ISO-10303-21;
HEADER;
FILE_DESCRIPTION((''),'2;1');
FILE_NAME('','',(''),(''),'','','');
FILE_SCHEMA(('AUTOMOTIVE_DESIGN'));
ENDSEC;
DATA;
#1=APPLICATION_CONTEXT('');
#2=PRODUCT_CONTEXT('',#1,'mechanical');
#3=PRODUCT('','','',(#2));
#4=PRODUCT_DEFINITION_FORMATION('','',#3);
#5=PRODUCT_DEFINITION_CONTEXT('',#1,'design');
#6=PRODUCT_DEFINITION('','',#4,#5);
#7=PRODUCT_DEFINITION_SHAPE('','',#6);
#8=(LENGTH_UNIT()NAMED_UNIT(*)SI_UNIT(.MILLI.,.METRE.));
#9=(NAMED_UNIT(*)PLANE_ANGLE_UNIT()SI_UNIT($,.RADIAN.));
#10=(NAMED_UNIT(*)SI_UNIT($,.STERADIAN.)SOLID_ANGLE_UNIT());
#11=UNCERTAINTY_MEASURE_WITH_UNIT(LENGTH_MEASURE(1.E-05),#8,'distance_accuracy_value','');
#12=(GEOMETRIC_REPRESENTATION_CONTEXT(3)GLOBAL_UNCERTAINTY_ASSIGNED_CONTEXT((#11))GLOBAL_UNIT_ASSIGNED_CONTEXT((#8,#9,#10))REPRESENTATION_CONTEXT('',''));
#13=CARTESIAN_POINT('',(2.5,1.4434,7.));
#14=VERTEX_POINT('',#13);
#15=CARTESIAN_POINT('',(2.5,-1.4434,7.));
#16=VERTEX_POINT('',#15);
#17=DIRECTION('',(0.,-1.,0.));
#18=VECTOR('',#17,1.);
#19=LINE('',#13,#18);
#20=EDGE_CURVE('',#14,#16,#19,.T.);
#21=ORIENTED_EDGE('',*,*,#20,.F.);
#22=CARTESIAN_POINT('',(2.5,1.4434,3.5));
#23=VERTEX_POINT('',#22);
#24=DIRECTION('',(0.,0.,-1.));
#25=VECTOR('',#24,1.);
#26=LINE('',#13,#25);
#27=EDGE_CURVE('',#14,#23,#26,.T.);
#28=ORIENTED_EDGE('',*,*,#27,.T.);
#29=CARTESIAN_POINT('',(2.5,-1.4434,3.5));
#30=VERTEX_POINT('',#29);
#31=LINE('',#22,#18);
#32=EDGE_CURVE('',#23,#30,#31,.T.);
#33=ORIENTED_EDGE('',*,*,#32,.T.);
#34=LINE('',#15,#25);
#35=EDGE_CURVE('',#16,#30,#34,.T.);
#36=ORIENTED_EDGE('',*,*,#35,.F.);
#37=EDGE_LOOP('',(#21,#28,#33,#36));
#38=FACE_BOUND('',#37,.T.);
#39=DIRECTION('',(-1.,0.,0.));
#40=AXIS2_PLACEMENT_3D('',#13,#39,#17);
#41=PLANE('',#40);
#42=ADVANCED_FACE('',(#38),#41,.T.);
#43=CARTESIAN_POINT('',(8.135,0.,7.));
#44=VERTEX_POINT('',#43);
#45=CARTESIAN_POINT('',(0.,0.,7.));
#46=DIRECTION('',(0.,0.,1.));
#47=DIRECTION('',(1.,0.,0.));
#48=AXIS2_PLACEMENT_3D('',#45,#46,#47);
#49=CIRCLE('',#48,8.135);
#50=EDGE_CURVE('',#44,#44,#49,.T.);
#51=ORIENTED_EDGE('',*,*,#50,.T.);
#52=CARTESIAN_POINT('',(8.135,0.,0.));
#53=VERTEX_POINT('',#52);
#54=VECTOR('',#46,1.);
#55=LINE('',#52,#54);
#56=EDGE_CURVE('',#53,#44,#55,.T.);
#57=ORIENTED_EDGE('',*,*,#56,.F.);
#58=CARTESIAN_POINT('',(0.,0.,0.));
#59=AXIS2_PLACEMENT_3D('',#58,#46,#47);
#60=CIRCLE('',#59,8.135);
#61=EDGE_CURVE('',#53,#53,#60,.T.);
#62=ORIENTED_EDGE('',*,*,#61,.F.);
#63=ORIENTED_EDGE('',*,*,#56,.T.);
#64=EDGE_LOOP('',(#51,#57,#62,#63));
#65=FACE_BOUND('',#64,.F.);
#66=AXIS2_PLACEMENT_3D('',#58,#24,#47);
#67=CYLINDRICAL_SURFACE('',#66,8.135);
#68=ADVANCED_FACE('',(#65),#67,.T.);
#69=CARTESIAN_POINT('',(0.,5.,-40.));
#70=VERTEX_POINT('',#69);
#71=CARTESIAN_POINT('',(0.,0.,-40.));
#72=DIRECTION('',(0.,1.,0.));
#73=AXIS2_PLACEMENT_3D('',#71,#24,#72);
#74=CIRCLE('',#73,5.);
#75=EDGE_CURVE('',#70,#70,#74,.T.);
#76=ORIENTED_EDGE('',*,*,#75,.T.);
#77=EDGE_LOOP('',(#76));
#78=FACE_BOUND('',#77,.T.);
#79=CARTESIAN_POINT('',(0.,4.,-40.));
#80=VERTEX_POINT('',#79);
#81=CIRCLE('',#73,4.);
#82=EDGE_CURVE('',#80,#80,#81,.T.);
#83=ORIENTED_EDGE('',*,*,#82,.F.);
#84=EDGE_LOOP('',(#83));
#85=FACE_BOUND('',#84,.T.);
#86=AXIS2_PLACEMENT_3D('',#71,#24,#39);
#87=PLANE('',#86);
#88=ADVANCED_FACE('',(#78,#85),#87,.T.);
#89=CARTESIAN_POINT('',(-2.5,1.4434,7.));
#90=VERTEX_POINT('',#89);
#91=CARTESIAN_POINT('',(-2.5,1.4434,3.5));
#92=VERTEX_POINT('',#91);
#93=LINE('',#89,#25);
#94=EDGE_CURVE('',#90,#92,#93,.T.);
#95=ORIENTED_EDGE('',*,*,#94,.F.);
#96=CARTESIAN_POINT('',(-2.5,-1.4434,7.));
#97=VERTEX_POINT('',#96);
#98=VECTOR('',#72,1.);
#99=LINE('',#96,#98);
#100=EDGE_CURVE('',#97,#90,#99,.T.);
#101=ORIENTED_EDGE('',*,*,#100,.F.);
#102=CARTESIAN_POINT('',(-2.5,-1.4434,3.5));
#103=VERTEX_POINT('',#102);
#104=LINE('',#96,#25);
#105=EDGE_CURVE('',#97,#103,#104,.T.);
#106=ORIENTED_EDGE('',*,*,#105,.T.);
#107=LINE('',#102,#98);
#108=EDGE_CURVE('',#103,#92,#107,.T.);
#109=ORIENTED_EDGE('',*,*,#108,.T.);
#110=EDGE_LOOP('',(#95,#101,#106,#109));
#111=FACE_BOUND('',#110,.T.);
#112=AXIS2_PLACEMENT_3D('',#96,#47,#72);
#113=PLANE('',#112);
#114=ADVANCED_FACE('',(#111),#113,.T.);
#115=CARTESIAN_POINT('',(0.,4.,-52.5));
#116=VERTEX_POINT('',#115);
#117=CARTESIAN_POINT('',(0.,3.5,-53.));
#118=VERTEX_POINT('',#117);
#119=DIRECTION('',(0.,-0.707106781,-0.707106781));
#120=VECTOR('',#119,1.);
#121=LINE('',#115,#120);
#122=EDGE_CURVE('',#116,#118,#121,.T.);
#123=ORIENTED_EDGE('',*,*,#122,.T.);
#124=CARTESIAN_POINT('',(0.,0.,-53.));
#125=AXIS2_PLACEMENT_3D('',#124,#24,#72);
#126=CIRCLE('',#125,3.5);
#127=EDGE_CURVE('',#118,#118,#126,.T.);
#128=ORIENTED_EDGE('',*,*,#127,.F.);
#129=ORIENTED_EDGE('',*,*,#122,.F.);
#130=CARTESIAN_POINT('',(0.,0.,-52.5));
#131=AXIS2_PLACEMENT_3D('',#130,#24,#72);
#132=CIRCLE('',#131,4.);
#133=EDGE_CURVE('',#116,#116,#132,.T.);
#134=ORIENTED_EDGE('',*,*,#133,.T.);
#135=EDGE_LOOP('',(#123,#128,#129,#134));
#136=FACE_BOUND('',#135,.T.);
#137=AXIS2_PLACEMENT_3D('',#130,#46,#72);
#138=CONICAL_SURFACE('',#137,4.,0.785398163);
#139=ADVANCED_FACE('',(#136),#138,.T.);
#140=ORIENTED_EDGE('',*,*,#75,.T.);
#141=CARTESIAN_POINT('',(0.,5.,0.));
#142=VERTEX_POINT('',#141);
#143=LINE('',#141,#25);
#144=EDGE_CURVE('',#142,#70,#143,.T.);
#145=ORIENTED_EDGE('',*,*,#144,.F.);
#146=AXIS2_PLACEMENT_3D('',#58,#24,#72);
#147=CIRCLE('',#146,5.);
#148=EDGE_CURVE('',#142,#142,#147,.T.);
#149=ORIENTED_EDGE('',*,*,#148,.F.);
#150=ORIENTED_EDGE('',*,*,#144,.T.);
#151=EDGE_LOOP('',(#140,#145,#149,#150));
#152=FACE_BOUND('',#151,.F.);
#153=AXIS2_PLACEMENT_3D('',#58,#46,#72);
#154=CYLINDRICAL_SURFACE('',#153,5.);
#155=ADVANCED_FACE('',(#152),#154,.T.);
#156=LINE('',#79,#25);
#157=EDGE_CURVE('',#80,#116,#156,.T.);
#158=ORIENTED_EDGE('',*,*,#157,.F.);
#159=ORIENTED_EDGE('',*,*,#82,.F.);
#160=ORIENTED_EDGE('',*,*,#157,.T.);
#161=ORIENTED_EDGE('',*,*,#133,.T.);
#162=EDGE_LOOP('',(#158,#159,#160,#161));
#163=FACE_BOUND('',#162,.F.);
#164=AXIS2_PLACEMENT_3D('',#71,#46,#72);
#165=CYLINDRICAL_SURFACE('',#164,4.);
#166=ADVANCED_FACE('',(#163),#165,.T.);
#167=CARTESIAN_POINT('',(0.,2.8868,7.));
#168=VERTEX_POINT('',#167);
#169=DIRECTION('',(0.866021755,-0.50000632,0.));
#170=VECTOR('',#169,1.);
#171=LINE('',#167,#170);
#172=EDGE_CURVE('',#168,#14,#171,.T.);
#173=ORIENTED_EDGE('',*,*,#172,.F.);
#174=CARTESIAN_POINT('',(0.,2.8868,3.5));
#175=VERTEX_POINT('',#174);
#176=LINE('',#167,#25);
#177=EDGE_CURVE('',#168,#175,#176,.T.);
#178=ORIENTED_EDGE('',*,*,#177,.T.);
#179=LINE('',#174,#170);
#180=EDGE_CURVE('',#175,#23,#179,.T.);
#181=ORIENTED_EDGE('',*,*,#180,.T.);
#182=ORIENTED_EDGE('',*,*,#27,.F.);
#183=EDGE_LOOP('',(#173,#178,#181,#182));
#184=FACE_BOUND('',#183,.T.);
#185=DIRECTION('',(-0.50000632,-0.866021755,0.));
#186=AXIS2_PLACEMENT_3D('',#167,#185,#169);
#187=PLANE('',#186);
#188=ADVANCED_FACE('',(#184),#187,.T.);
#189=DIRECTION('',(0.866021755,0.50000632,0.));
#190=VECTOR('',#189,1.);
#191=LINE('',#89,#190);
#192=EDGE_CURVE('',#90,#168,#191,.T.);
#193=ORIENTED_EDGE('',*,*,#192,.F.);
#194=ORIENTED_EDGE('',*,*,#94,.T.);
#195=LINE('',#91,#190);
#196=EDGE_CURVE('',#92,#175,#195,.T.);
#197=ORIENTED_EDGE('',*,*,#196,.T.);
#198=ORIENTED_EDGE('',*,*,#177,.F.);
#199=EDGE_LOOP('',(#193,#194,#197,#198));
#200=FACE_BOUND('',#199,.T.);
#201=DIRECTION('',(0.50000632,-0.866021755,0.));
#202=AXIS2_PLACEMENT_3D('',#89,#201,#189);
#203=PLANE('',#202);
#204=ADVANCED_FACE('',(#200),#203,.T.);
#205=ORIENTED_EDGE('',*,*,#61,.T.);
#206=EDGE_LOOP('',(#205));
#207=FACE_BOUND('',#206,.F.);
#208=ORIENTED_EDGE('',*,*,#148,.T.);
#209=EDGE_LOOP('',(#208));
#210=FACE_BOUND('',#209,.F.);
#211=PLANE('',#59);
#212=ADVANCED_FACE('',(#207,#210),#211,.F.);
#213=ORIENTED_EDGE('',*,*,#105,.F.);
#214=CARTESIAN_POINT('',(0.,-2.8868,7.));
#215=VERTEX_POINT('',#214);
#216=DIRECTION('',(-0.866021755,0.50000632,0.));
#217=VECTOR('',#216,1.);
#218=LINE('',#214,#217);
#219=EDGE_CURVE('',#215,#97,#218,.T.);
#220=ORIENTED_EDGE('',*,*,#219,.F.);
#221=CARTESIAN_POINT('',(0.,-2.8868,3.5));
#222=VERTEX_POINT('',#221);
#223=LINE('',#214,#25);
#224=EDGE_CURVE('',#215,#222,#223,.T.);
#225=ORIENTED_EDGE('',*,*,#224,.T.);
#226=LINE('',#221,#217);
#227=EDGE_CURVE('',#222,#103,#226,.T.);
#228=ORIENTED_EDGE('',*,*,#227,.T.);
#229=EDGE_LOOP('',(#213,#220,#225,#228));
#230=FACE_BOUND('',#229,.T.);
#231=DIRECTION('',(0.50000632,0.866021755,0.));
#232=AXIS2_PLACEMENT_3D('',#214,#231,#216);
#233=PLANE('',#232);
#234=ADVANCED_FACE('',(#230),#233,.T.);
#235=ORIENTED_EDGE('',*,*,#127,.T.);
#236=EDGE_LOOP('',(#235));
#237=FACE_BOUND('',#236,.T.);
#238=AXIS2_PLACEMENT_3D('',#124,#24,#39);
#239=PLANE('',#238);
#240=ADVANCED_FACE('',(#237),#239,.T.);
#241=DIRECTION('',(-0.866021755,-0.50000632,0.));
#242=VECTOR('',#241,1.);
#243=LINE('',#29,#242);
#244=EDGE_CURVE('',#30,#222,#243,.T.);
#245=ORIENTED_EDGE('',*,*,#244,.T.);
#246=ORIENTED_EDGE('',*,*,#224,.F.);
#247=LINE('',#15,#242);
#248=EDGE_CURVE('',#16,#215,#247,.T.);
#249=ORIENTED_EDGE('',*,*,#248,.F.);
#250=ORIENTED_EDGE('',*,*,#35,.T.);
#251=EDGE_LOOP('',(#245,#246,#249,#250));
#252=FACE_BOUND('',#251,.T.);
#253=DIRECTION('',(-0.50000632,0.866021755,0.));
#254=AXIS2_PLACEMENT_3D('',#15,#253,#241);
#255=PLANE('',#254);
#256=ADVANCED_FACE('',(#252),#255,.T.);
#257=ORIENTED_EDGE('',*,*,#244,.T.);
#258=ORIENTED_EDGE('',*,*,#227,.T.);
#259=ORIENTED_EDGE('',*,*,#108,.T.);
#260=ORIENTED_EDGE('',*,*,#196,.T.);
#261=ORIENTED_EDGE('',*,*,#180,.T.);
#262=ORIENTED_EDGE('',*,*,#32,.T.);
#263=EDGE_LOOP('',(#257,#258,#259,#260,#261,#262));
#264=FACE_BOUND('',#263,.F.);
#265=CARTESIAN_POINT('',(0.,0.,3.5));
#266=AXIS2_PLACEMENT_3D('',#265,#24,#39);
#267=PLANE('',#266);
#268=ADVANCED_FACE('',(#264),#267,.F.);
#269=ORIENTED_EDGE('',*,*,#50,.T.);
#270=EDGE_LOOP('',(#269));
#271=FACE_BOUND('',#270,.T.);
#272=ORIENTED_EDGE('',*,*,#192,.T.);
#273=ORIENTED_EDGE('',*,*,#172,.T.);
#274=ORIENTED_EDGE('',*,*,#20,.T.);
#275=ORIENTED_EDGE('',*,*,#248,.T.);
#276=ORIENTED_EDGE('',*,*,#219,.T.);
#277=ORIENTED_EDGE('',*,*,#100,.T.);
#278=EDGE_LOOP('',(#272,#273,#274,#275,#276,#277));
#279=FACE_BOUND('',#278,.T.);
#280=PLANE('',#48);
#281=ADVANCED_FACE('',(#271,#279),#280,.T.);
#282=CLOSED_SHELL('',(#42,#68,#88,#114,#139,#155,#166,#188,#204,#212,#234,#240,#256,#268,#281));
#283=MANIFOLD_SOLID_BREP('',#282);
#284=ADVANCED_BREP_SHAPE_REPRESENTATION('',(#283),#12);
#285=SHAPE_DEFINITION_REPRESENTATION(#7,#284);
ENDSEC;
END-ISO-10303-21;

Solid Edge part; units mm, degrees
sketch "Sketch1" plane through (0, 0, 0) normal (0, 0, 1) x (1, 0, 0)
  circle A0 centre (0, 0) radius 8.135
  dimension "D1" = 16.27
extrude "Protrusion1" add sketch "Sketch1" along normal blind 7
sketch "Sketch2" plane through (0, 0, 7) normal (0, 0, 1) x (1, 0, 0)
  line L0 (0, -2.8868) -> (-2.5, -1.4434)
  line L1 (-2.5, -1.4434) -> (-2.5, 1.4434)
  line L2 (-2.5, 1.4434) -> (0, 2.8868)
  line L3 (0, 2.8868) -> (2.5, 1.4434)
  line L4 (2.5, 1.4434) -> (2.5, -1.4434)
  line L5 (2.5, -1.4434) -> (0, -2.8868)
  dimension "D1" = 5
extrude "Cutout1" cut sketch "Sketch2" against normal blind 3.5
sketch "Sketch3" plane through (0, 0, 0) normal (0, 0, -1) x (0, 1, 0)
  circle A0 centre (0, 0) radius 5
  dimension "D1" = 10
extrude "Protrusion2" add sketch "Sketch3" along normal blind 40
sketch "Sketch4" plane through (0, 0, -40) normal (0, 0, -1) x (0, 1, 0)
  circle A0 centre (0, 0) radius 4
  dimension "D1" = 8
extrude "Protrusion3" add sketch "Sketch4" along normal blind 13
chamfer "Chamfer1" distance 0.5 angle 45 1 edges at (0, -4, -53)
properties part number "108082"
